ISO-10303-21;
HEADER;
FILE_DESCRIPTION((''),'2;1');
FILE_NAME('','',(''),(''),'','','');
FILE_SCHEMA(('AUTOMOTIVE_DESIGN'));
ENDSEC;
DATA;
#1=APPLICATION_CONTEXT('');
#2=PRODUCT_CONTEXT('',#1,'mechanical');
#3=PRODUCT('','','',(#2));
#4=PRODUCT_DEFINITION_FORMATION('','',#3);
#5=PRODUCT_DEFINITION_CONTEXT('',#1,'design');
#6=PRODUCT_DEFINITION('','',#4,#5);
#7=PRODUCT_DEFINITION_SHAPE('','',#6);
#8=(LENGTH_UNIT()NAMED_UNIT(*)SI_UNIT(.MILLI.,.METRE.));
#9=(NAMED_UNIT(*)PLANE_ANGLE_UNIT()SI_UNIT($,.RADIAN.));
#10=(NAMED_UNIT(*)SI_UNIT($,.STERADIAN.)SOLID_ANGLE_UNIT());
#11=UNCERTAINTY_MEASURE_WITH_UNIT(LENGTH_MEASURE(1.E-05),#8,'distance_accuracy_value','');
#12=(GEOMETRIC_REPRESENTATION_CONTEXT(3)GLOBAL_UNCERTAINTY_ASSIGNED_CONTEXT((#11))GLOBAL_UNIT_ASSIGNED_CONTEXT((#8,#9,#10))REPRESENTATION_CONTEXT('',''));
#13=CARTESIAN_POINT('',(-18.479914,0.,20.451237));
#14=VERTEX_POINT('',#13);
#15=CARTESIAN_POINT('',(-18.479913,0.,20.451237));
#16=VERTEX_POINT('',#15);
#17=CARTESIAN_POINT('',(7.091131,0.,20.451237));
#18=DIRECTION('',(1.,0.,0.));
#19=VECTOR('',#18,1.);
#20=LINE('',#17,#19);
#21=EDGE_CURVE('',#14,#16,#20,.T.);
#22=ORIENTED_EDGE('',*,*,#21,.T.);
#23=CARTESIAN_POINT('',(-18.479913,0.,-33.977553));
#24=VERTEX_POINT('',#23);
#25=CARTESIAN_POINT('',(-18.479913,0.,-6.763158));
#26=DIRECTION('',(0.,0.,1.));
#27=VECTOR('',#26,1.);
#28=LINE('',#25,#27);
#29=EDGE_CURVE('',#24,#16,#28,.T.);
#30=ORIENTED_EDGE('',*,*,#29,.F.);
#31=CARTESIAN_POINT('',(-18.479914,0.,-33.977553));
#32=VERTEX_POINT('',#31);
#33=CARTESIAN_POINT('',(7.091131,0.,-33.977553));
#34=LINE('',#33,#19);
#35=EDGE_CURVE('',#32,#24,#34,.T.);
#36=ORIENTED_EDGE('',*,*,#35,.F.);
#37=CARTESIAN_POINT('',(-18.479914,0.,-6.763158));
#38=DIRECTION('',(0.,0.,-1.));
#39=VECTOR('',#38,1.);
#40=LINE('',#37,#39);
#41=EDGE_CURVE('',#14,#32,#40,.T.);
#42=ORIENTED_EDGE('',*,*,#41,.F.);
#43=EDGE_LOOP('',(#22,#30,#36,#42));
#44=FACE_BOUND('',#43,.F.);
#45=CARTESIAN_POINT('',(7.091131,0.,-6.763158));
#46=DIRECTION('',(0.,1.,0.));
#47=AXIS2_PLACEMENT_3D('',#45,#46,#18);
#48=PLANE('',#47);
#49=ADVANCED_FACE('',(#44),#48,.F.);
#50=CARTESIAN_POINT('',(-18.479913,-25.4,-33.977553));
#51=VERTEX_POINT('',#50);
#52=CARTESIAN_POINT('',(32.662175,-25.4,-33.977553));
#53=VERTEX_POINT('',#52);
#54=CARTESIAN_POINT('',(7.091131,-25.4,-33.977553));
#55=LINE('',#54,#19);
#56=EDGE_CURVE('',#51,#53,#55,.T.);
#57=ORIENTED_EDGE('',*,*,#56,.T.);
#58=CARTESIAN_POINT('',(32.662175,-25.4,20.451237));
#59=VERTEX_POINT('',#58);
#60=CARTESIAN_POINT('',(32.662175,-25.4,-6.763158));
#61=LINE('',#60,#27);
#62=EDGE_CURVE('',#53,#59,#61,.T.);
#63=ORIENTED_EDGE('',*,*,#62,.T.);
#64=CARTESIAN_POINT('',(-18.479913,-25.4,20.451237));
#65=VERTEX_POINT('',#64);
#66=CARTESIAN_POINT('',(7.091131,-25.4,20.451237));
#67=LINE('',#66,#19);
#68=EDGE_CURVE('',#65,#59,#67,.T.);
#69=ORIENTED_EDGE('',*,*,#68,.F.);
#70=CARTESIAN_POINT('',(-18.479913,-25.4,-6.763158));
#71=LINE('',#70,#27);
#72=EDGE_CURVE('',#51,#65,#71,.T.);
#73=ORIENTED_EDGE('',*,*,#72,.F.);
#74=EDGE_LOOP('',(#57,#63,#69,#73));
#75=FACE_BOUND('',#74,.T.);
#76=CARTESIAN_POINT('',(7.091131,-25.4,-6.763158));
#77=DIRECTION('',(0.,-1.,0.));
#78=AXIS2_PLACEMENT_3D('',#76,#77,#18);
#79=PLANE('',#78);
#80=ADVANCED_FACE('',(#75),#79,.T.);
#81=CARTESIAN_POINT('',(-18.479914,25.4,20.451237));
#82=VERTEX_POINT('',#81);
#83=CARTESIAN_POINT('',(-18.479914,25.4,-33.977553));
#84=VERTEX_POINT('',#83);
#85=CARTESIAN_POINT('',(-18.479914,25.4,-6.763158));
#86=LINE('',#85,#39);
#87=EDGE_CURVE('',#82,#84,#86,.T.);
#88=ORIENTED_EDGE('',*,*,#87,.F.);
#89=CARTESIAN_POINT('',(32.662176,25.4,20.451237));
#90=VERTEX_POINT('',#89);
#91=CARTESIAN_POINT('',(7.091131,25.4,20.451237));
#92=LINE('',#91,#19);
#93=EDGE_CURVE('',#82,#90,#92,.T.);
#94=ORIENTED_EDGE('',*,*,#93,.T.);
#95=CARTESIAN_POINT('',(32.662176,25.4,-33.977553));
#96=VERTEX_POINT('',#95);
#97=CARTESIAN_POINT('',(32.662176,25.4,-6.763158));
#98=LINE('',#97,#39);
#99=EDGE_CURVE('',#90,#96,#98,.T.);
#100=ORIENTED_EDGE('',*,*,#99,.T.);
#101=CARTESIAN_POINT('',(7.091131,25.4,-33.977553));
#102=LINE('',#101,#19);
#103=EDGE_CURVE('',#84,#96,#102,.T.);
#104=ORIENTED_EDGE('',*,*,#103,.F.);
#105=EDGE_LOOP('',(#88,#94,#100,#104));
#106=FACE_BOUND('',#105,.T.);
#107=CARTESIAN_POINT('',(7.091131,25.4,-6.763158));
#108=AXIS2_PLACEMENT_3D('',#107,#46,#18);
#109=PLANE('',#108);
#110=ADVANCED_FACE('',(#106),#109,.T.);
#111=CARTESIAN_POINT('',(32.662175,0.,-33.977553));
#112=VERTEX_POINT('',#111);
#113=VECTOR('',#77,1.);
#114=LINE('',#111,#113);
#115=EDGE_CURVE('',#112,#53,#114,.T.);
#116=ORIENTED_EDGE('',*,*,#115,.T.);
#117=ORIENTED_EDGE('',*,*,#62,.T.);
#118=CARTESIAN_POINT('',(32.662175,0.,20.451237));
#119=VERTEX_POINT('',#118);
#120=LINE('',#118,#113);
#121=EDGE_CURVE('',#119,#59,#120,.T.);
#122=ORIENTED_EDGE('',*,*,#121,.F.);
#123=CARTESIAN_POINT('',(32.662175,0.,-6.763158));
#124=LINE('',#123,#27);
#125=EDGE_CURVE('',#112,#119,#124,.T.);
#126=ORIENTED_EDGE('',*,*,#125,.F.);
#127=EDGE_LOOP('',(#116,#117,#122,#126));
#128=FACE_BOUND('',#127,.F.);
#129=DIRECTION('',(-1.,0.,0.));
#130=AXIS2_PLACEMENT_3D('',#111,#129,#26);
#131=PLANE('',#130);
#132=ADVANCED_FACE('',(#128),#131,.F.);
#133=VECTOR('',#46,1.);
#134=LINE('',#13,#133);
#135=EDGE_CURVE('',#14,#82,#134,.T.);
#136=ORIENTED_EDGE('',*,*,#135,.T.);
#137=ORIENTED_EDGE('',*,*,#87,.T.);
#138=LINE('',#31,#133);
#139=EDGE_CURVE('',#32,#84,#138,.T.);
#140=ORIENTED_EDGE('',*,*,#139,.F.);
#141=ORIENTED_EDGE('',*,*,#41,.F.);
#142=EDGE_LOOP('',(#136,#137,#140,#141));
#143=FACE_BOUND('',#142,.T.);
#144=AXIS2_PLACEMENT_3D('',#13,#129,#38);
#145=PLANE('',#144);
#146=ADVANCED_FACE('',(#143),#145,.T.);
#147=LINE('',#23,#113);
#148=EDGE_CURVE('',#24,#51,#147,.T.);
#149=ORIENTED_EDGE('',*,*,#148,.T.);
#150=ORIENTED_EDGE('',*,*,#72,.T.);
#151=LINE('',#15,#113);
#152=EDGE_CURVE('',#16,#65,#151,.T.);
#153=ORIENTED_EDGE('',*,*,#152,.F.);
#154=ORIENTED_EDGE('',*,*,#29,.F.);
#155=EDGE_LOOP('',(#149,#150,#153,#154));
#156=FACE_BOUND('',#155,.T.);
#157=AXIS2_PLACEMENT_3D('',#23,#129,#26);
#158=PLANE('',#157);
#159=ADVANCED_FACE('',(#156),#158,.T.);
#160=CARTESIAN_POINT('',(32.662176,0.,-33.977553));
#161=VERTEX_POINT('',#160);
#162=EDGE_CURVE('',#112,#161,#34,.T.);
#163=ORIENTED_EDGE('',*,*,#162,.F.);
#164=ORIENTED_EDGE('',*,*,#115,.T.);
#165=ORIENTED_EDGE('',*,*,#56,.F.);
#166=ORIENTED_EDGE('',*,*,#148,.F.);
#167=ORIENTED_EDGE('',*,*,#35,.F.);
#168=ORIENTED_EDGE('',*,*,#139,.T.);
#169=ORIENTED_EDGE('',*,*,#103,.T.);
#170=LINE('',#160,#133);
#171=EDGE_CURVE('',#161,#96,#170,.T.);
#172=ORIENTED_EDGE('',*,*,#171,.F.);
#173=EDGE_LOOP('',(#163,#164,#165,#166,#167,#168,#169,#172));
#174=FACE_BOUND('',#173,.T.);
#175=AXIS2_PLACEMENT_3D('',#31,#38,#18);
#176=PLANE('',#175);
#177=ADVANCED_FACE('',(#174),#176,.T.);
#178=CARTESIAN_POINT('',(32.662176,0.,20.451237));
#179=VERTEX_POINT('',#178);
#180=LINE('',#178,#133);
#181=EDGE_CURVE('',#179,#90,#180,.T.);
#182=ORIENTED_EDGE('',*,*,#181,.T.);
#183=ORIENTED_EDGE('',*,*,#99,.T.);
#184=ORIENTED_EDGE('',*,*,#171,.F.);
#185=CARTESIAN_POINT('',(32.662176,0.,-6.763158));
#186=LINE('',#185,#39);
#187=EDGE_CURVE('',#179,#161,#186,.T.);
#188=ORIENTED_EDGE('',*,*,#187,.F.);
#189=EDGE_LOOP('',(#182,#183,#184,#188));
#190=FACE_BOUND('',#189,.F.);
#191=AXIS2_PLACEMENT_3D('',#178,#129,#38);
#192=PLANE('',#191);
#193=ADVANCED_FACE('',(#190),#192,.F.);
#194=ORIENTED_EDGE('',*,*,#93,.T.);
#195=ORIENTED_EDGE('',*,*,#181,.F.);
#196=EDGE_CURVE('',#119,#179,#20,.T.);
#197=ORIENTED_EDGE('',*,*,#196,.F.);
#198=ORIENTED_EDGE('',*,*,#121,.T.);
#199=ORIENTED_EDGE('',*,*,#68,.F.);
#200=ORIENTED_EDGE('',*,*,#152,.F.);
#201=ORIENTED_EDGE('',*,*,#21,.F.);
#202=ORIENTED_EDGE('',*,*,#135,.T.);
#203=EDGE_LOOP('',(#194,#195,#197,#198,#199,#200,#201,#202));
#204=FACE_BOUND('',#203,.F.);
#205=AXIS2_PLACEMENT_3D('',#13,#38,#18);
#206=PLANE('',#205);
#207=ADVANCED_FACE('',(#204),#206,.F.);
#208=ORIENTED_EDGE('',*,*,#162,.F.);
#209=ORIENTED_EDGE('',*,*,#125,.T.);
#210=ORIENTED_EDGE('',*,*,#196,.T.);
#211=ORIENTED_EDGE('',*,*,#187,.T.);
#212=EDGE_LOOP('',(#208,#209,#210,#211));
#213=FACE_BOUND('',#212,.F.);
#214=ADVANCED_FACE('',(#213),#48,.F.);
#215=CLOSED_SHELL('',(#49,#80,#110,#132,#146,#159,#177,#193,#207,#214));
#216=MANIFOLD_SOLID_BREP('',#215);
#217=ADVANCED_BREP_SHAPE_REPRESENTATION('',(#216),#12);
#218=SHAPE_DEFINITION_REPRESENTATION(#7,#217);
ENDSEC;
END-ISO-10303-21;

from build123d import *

# Parameters (mm, degrees)
F0_W      = 51.142089
F0_H      = 54.42879
F0_R      = 12.892962
F1_DEPTH  = 25.4
F1_FACE_W = 51.14209
F1_FACE_H = 54.42879
F2_DEPTH  = 25.4


with BuildPart() as f1:
    # F0 (on Front) → F1 (new body)
    with BuildSketch(Plane.XZ):
        with Locations((7.091131, -6.763158)):
            Rectangle(F0_W, F0_H)
        with Locations((5.157186, -4.527965)):
            Circle(F0_R, mode=Mode.SUBTRACT)
        with Locations((5.157186, -4.527965)):
            Circle(F0_R)
    extrude(amount=F1_DEPTH)

    # F1_face (on face) → F2 (join)
    with BuildSketch(Plane(origin=(7.091131, 0, -6.763158), x_dir=(1, 0, 0), z_dir=(0, 1, 0))):
        Rectangle(F1_FACE_W, F1_FACE_H)
    extrude(amount=F2_DEPTH)


solid = f1.part
